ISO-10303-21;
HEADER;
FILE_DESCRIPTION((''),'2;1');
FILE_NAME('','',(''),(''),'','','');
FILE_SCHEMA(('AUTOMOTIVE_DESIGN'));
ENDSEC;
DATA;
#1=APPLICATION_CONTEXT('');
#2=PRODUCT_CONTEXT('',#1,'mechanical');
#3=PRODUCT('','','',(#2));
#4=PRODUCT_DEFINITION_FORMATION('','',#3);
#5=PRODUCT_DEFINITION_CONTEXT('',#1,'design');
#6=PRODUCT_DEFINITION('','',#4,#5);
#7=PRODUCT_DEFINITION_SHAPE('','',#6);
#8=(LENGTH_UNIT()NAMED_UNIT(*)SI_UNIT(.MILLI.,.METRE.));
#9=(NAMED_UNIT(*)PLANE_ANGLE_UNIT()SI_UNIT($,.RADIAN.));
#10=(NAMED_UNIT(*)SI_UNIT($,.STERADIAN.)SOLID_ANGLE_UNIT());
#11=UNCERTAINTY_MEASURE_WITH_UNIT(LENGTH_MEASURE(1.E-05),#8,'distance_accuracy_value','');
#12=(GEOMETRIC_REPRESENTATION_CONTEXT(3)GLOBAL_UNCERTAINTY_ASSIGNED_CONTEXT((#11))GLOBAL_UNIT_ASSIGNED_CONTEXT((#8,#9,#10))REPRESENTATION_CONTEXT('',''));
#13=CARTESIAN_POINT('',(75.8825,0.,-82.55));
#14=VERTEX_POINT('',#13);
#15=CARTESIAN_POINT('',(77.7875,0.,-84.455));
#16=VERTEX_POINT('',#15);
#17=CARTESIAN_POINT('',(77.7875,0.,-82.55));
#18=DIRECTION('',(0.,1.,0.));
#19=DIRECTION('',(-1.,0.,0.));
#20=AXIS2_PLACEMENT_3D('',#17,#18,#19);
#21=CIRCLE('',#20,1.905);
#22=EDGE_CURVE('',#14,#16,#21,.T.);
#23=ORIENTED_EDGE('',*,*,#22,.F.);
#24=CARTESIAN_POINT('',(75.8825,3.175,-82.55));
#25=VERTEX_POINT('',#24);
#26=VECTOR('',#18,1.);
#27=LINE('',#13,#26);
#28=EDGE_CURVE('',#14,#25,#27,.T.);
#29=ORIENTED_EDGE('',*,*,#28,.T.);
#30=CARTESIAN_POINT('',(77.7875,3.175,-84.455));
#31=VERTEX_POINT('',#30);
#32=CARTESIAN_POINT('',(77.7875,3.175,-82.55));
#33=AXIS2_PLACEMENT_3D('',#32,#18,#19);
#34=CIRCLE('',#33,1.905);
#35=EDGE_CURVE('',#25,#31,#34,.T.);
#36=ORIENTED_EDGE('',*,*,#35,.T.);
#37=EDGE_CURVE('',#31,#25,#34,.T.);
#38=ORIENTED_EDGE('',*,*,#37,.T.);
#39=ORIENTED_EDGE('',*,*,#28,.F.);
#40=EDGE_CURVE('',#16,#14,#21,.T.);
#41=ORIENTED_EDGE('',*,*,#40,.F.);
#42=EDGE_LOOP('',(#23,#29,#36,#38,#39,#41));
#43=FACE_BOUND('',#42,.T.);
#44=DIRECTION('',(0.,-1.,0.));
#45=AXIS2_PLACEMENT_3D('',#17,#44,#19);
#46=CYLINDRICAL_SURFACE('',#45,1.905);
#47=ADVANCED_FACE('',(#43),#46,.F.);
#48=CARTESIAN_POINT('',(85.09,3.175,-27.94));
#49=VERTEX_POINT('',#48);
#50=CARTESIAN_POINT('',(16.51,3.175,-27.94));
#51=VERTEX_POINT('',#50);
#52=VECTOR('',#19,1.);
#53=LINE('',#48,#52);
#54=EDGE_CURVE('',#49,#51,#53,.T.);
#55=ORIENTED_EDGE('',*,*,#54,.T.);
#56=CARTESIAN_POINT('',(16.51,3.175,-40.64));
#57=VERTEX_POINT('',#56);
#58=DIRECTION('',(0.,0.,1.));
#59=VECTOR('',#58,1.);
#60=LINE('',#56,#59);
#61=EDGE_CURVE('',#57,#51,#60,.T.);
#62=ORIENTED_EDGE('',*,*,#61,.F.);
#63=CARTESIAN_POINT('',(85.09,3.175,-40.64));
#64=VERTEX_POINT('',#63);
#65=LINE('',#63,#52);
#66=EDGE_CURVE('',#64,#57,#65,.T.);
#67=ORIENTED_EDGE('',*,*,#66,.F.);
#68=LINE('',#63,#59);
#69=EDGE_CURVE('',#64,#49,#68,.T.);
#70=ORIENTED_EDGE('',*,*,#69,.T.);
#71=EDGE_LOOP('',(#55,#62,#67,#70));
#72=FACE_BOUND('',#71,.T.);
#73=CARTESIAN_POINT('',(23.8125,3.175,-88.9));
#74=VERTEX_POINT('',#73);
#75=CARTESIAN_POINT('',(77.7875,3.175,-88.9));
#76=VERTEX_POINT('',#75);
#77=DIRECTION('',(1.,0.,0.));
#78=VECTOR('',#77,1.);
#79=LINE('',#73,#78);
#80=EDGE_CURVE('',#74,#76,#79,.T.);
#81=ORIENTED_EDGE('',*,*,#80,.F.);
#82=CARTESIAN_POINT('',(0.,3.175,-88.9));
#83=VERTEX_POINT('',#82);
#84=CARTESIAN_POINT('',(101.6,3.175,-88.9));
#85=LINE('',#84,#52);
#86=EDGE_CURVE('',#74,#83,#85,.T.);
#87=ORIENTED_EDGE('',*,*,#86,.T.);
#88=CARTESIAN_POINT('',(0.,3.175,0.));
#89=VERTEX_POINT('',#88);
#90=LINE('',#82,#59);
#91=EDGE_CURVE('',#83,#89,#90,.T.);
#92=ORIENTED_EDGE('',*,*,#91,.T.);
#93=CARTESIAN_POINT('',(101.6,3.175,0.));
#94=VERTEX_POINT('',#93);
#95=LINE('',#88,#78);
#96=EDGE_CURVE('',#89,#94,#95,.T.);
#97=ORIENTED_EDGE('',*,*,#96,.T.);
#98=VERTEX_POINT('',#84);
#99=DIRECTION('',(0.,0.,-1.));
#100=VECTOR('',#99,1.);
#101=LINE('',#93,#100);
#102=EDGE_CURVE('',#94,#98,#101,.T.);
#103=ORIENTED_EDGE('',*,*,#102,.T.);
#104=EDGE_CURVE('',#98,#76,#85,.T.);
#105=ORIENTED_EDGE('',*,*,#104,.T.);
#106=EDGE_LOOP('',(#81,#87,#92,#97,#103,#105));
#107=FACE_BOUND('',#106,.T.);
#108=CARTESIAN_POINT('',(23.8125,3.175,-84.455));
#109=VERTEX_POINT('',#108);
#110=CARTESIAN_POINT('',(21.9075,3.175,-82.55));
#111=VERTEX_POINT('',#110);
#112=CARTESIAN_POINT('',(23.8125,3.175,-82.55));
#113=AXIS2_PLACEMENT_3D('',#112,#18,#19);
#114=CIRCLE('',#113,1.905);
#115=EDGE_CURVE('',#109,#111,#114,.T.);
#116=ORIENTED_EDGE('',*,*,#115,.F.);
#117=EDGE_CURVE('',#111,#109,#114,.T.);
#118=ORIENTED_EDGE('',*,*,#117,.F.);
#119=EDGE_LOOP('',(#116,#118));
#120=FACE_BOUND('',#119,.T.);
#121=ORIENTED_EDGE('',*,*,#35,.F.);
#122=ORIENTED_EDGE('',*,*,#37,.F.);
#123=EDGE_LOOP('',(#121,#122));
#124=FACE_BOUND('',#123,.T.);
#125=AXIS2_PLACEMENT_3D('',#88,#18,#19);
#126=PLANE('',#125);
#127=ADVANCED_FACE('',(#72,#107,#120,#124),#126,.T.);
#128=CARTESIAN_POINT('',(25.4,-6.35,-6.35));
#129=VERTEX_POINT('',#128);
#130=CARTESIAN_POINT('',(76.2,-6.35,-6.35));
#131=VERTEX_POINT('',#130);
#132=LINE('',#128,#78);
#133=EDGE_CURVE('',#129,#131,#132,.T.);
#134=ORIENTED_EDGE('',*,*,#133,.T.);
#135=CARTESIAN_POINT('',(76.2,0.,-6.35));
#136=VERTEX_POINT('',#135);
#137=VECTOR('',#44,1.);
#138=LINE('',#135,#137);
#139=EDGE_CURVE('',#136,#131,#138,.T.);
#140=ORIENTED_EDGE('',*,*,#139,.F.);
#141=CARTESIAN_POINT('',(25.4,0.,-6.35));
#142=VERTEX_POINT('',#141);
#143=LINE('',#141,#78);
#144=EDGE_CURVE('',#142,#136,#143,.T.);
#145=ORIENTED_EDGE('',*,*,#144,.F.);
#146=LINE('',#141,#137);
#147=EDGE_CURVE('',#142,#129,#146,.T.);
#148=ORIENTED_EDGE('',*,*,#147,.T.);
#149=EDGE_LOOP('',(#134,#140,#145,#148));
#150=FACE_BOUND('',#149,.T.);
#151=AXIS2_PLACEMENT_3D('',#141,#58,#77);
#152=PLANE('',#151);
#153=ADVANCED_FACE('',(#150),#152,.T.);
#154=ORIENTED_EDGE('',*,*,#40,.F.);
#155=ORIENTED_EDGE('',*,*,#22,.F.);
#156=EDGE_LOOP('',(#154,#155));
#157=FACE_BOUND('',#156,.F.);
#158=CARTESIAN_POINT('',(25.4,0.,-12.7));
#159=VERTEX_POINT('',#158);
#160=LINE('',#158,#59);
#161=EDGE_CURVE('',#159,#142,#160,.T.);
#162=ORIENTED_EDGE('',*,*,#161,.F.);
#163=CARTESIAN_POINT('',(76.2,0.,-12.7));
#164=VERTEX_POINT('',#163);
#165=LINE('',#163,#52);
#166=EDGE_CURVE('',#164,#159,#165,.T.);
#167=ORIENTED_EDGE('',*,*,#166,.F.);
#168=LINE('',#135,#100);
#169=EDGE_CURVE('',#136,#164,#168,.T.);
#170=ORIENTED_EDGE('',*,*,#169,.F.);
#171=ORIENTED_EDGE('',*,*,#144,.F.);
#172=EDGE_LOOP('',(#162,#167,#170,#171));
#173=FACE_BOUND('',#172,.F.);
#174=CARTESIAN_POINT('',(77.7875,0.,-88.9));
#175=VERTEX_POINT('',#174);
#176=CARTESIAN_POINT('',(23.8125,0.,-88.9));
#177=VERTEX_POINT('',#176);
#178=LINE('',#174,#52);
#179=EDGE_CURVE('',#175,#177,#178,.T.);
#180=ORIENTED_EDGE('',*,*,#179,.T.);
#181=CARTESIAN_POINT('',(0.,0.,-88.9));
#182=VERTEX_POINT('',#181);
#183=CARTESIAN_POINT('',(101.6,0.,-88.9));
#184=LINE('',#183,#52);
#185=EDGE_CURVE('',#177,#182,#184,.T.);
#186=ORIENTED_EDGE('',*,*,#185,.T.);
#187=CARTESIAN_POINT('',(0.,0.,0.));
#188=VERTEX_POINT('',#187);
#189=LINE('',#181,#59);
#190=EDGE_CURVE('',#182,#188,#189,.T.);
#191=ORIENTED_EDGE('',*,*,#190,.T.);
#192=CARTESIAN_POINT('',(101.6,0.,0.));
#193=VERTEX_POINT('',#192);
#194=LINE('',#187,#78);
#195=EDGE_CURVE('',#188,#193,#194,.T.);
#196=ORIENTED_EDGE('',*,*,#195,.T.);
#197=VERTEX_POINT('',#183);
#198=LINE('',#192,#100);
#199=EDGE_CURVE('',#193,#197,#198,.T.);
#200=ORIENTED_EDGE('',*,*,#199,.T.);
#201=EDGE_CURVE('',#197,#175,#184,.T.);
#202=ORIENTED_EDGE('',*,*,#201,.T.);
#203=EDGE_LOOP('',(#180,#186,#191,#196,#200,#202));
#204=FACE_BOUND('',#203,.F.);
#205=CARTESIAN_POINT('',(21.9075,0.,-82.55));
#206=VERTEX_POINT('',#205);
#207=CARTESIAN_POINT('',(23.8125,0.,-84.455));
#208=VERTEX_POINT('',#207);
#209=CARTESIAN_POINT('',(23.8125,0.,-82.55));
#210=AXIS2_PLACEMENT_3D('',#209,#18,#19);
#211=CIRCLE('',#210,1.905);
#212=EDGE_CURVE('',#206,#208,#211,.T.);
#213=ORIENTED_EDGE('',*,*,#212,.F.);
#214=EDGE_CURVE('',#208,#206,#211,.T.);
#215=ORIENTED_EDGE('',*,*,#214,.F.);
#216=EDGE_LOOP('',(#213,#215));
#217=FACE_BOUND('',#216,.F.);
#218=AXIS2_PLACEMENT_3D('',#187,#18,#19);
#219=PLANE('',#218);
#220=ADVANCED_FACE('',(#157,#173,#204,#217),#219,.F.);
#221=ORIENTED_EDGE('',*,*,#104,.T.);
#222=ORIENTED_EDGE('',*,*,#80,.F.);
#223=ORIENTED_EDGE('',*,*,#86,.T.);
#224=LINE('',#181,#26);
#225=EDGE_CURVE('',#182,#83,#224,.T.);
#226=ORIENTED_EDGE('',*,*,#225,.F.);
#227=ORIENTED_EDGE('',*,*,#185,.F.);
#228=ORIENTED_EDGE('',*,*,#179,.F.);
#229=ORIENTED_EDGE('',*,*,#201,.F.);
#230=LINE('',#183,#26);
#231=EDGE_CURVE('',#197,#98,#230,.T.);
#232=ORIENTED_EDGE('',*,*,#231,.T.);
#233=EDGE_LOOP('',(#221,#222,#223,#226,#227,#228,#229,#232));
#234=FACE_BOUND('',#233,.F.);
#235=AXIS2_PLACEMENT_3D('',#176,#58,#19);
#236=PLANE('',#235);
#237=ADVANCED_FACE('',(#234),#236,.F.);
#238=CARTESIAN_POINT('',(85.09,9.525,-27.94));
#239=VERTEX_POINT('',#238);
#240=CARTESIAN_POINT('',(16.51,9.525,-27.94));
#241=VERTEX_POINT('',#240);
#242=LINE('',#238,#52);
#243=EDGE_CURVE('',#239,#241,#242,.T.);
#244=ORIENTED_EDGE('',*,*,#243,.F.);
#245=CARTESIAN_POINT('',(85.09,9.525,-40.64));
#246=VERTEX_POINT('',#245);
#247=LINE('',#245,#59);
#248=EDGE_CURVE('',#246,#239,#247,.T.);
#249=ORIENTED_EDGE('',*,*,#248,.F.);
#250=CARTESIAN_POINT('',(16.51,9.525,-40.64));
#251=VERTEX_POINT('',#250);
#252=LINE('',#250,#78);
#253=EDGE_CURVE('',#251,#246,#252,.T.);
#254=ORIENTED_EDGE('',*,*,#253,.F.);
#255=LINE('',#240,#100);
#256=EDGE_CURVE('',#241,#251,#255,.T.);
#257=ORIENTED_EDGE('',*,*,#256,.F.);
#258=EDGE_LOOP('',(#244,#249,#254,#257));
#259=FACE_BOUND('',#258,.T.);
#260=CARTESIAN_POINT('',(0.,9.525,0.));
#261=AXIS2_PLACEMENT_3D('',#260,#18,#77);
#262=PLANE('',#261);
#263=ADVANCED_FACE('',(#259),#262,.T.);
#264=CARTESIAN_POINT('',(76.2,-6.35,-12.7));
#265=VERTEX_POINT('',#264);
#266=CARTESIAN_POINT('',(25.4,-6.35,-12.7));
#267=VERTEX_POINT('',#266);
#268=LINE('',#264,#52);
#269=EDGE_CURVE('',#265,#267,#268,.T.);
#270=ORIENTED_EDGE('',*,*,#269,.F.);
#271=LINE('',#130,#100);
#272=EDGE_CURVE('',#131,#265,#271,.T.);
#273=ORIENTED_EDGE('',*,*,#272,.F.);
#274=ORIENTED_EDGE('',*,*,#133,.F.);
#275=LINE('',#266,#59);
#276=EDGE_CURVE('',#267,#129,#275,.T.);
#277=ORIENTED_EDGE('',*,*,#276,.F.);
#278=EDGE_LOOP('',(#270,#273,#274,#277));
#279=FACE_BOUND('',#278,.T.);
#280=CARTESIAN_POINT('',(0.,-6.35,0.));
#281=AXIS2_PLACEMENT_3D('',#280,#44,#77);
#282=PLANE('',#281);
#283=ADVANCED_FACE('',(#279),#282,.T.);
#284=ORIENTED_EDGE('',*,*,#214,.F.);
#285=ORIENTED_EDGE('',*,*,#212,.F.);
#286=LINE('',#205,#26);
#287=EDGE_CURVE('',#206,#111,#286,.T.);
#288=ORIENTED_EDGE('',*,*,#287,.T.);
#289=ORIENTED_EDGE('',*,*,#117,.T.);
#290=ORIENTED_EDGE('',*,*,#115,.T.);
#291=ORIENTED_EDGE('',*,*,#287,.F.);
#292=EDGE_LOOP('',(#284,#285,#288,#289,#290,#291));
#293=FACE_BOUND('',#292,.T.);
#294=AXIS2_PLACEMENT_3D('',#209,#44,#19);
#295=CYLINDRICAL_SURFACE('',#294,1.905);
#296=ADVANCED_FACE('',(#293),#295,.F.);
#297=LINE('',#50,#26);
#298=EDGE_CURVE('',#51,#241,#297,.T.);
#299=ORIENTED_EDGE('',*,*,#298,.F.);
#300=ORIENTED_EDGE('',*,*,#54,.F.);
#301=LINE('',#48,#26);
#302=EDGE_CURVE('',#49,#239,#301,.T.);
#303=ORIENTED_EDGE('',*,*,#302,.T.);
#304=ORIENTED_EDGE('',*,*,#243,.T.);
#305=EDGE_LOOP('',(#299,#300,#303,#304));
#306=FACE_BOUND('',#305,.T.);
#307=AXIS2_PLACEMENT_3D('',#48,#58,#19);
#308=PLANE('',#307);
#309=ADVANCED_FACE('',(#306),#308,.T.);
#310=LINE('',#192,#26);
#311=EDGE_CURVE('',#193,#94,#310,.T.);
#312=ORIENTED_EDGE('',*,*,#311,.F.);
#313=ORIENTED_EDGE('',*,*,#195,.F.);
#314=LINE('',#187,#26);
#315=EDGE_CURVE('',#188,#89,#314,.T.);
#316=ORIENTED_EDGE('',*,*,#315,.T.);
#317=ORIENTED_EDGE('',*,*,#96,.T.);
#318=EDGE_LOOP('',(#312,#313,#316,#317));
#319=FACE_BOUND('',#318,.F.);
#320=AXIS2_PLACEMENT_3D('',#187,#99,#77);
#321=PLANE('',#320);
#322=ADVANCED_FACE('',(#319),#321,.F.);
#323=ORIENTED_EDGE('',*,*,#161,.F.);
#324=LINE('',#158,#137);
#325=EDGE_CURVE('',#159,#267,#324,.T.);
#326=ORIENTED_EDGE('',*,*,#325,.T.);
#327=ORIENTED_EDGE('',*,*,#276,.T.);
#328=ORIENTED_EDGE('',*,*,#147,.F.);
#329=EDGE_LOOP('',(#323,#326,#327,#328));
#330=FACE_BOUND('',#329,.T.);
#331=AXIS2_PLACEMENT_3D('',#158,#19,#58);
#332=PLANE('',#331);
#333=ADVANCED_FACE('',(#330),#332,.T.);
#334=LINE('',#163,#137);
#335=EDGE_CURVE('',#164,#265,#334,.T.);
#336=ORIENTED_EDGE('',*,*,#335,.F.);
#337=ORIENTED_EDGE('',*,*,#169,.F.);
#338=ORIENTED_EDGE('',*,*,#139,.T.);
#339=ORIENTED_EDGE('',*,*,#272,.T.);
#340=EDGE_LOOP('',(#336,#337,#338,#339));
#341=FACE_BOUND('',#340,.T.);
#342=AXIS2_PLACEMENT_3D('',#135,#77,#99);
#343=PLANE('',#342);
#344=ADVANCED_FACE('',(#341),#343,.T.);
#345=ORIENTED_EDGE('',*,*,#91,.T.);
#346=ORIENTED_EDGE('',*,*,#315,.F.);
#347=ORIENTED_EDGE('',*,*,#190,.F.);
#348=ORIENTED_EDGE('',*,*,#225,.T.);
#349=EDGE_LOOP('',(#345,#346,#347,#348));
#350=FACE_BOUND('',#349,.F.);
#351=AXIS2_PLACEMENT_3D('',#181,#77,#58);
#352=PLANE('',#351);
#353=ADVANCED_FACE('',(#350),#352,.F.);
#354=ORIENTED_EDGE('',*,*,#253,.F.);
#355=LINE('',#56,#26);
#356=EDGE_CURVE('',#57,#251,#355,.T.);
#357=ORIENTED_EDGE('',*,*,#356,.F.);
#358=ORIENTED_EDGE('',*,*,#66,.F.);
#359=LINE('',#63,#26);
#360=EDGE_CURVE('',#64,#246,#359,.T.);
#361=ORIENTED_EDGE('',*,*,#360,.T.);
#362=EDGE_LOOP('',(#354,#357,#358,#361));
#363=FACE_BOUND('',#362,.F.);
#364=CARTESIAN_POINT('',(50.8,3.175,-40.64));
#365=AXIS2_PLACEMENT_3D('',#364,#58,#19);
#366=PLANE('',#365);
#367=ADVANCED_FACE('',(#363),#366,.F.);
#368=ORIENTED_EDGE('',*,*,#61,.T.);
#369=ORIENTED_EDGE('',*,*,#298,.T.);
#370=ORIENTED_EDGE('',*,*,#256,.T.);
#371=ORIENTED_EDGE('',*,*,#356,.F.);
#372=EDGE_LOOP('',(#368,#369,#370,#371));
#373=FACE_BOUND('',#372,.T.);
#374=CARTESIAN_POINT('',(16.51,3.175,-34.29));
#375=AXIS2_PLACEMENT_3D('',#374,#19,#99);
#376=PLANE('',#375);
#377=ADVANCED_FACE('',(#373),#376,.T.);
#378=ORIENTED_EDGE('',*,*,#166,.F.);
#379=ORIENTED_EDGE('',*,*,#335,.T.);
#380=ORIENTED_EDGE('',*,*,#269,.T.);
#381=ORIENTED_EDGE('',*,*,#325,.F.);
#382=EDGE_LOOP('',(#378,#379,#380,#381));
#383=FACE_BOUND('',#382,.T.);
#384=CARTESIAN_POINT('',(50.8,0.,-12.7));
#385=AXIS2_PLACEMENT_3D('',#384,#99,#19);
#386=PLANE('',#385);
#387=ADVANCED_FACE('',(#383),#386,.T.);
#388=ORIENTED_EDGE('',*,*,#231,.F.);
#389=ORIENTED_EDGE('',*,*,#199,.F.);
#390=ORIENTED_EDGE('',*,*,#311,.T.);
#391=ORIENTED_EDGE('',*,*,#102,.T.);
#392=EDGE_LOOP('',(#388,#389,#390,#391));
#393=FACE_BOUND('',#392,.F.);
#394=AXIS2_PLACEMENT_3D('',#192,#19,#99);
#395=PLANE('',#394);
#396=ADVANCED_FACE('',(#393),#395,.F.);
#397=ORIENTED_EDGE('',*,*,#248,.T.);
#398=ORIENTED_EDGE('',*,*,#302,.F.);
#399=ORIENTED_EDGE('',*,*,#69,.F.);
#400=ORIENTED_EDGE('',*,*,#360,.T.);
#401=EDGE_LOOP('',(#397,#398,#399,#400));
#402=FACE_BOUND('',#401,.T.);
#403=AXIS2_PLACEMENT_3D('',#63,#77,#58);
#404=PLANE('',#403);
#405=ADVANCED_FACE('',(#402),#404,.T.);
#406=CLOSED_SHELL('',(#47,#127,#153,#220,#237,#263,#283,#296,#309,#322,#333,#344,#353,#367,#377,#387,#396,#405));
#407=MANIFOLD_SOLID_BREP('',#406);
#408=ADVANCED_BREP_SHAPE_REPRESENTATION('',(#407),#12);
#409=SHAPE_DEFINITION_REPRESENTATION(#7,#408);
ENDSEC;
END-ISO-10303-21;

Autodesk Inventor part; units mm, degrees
ref_plane "YZ Plane" through (0, 0, 0) normal (1, 0, 0) x (0, 1, 0)
ref_plane "XZ Plane" through (0, 0, 0) normal (0, 1, 0) x (-1, 0, 0)
ref_plane "XY Plane" through (0, 0, 0) normal (0, 0, 1) x (1, 0, 0)
sketch "Sketch1" plane through (0, 0, 0) normal (0, 1, 0) x (-1, 0, 0)
  line L0 (0, 0) -> (-101.6, 0)
  line L1 (-101.6, 0) -> (-101.6, -88.9)
  line L2 (-101.6, -88.9) -> (0, -88.9)
  line L3 (0, -88.9) -> (0, 0)
  line L4 (-50.8, -88.9) -> (-23.8125, -88.9)
  line L5 (-50.8, -88.9) -> (-77.7875, -88.9)
  line L6 (-77.7875, -88.9) -> (-77.7875, -82.55)
  line L7 (-23.8125, -88.9) -> (-23.8125, -82.55)
  circle A0 centre (-23.8125, -82.55) radius 1.905
  circle A1 centre (-77.7875, -82.55) radius 1.905
  dimension "d0" = 101.6
  dimension "d1" = 88.9
  dimension "d2" = 26.9875
  dimension "d3" = 26.9875
  dimension "d4" = 6.35
  dimension "d5" = 6.35
  dimension "d6" = 3.81
  dimension "d7" = 3.81
extrude "Extrusion1" add sketch "Sketch1" along normal blind 3.175
sketch "Sketch2" plane through (0, 0, 0) normal (0, -1, 0) x (1, 0, 0)
  line L0 (101.6, -88.9) -> (0, -88.9) projected
  line L1 (50.8, -88.9) -> (50.8, -12.7)
  line L2 (50.8, -12.7) -> (76.2, -12.7)
  line L3 (76.2, -12.7) -> (25.4, -12.7)
  line L4 (25.4, -12.7) -> (25.4, -6.35)
  line L5 (25.4, -6.35) -> (76.2, -6.35)
  line L6 (76.2, -6.35) -> (76.2, -12.7)
  point P0 (0, 0)
  dimension "d10" = 76.2
  dimension "d11" = 25.4
  dimension "d12" = 50.8
  dimension "d13" = 6.35
extrude "Extrusion2" add sketch "Sketch2" along normal blind 6.35
sketch "Sketch3" plane through (0, 3.175, 0) normal (0, 1, 0) x (1, 0, 0)
  line L0 (0, 0) -> (101.6, 0) projected
  line L1 (0, 0) -> (0, 34.29)
  line L2 (0, 88.9) -> (0, 0) projected
  line L3 (0, 34.29) -> (50.8, 34.29)
  line L4 (50.8, 34.29) -> (50.8, 40.64)
  line L5 (50.8, 40.64) -> (16.51, 40.64)
  line L6 (16.51, 40.64) -> (85.09, 40.64)
  line L7 (85.09, 40.64) -> (85.09, 27.94)
  line L8 (85.09, 27.94) -> (16.51, 27.94)
  line L9 (16.51, 27.94) -> (16.51, 40.64)
  dimension "d16" = 34.29
  dimension "d17" = 50.8
  dimension "d18" = 6.35
  dimension "d19" = 34.29
  dimension "d20" = 68.58
  dimension "d21" = 12.7
extrude "Extrusion3" add sketch "Sketch3" along normal blind 6.35
properties part number "mainboard"
